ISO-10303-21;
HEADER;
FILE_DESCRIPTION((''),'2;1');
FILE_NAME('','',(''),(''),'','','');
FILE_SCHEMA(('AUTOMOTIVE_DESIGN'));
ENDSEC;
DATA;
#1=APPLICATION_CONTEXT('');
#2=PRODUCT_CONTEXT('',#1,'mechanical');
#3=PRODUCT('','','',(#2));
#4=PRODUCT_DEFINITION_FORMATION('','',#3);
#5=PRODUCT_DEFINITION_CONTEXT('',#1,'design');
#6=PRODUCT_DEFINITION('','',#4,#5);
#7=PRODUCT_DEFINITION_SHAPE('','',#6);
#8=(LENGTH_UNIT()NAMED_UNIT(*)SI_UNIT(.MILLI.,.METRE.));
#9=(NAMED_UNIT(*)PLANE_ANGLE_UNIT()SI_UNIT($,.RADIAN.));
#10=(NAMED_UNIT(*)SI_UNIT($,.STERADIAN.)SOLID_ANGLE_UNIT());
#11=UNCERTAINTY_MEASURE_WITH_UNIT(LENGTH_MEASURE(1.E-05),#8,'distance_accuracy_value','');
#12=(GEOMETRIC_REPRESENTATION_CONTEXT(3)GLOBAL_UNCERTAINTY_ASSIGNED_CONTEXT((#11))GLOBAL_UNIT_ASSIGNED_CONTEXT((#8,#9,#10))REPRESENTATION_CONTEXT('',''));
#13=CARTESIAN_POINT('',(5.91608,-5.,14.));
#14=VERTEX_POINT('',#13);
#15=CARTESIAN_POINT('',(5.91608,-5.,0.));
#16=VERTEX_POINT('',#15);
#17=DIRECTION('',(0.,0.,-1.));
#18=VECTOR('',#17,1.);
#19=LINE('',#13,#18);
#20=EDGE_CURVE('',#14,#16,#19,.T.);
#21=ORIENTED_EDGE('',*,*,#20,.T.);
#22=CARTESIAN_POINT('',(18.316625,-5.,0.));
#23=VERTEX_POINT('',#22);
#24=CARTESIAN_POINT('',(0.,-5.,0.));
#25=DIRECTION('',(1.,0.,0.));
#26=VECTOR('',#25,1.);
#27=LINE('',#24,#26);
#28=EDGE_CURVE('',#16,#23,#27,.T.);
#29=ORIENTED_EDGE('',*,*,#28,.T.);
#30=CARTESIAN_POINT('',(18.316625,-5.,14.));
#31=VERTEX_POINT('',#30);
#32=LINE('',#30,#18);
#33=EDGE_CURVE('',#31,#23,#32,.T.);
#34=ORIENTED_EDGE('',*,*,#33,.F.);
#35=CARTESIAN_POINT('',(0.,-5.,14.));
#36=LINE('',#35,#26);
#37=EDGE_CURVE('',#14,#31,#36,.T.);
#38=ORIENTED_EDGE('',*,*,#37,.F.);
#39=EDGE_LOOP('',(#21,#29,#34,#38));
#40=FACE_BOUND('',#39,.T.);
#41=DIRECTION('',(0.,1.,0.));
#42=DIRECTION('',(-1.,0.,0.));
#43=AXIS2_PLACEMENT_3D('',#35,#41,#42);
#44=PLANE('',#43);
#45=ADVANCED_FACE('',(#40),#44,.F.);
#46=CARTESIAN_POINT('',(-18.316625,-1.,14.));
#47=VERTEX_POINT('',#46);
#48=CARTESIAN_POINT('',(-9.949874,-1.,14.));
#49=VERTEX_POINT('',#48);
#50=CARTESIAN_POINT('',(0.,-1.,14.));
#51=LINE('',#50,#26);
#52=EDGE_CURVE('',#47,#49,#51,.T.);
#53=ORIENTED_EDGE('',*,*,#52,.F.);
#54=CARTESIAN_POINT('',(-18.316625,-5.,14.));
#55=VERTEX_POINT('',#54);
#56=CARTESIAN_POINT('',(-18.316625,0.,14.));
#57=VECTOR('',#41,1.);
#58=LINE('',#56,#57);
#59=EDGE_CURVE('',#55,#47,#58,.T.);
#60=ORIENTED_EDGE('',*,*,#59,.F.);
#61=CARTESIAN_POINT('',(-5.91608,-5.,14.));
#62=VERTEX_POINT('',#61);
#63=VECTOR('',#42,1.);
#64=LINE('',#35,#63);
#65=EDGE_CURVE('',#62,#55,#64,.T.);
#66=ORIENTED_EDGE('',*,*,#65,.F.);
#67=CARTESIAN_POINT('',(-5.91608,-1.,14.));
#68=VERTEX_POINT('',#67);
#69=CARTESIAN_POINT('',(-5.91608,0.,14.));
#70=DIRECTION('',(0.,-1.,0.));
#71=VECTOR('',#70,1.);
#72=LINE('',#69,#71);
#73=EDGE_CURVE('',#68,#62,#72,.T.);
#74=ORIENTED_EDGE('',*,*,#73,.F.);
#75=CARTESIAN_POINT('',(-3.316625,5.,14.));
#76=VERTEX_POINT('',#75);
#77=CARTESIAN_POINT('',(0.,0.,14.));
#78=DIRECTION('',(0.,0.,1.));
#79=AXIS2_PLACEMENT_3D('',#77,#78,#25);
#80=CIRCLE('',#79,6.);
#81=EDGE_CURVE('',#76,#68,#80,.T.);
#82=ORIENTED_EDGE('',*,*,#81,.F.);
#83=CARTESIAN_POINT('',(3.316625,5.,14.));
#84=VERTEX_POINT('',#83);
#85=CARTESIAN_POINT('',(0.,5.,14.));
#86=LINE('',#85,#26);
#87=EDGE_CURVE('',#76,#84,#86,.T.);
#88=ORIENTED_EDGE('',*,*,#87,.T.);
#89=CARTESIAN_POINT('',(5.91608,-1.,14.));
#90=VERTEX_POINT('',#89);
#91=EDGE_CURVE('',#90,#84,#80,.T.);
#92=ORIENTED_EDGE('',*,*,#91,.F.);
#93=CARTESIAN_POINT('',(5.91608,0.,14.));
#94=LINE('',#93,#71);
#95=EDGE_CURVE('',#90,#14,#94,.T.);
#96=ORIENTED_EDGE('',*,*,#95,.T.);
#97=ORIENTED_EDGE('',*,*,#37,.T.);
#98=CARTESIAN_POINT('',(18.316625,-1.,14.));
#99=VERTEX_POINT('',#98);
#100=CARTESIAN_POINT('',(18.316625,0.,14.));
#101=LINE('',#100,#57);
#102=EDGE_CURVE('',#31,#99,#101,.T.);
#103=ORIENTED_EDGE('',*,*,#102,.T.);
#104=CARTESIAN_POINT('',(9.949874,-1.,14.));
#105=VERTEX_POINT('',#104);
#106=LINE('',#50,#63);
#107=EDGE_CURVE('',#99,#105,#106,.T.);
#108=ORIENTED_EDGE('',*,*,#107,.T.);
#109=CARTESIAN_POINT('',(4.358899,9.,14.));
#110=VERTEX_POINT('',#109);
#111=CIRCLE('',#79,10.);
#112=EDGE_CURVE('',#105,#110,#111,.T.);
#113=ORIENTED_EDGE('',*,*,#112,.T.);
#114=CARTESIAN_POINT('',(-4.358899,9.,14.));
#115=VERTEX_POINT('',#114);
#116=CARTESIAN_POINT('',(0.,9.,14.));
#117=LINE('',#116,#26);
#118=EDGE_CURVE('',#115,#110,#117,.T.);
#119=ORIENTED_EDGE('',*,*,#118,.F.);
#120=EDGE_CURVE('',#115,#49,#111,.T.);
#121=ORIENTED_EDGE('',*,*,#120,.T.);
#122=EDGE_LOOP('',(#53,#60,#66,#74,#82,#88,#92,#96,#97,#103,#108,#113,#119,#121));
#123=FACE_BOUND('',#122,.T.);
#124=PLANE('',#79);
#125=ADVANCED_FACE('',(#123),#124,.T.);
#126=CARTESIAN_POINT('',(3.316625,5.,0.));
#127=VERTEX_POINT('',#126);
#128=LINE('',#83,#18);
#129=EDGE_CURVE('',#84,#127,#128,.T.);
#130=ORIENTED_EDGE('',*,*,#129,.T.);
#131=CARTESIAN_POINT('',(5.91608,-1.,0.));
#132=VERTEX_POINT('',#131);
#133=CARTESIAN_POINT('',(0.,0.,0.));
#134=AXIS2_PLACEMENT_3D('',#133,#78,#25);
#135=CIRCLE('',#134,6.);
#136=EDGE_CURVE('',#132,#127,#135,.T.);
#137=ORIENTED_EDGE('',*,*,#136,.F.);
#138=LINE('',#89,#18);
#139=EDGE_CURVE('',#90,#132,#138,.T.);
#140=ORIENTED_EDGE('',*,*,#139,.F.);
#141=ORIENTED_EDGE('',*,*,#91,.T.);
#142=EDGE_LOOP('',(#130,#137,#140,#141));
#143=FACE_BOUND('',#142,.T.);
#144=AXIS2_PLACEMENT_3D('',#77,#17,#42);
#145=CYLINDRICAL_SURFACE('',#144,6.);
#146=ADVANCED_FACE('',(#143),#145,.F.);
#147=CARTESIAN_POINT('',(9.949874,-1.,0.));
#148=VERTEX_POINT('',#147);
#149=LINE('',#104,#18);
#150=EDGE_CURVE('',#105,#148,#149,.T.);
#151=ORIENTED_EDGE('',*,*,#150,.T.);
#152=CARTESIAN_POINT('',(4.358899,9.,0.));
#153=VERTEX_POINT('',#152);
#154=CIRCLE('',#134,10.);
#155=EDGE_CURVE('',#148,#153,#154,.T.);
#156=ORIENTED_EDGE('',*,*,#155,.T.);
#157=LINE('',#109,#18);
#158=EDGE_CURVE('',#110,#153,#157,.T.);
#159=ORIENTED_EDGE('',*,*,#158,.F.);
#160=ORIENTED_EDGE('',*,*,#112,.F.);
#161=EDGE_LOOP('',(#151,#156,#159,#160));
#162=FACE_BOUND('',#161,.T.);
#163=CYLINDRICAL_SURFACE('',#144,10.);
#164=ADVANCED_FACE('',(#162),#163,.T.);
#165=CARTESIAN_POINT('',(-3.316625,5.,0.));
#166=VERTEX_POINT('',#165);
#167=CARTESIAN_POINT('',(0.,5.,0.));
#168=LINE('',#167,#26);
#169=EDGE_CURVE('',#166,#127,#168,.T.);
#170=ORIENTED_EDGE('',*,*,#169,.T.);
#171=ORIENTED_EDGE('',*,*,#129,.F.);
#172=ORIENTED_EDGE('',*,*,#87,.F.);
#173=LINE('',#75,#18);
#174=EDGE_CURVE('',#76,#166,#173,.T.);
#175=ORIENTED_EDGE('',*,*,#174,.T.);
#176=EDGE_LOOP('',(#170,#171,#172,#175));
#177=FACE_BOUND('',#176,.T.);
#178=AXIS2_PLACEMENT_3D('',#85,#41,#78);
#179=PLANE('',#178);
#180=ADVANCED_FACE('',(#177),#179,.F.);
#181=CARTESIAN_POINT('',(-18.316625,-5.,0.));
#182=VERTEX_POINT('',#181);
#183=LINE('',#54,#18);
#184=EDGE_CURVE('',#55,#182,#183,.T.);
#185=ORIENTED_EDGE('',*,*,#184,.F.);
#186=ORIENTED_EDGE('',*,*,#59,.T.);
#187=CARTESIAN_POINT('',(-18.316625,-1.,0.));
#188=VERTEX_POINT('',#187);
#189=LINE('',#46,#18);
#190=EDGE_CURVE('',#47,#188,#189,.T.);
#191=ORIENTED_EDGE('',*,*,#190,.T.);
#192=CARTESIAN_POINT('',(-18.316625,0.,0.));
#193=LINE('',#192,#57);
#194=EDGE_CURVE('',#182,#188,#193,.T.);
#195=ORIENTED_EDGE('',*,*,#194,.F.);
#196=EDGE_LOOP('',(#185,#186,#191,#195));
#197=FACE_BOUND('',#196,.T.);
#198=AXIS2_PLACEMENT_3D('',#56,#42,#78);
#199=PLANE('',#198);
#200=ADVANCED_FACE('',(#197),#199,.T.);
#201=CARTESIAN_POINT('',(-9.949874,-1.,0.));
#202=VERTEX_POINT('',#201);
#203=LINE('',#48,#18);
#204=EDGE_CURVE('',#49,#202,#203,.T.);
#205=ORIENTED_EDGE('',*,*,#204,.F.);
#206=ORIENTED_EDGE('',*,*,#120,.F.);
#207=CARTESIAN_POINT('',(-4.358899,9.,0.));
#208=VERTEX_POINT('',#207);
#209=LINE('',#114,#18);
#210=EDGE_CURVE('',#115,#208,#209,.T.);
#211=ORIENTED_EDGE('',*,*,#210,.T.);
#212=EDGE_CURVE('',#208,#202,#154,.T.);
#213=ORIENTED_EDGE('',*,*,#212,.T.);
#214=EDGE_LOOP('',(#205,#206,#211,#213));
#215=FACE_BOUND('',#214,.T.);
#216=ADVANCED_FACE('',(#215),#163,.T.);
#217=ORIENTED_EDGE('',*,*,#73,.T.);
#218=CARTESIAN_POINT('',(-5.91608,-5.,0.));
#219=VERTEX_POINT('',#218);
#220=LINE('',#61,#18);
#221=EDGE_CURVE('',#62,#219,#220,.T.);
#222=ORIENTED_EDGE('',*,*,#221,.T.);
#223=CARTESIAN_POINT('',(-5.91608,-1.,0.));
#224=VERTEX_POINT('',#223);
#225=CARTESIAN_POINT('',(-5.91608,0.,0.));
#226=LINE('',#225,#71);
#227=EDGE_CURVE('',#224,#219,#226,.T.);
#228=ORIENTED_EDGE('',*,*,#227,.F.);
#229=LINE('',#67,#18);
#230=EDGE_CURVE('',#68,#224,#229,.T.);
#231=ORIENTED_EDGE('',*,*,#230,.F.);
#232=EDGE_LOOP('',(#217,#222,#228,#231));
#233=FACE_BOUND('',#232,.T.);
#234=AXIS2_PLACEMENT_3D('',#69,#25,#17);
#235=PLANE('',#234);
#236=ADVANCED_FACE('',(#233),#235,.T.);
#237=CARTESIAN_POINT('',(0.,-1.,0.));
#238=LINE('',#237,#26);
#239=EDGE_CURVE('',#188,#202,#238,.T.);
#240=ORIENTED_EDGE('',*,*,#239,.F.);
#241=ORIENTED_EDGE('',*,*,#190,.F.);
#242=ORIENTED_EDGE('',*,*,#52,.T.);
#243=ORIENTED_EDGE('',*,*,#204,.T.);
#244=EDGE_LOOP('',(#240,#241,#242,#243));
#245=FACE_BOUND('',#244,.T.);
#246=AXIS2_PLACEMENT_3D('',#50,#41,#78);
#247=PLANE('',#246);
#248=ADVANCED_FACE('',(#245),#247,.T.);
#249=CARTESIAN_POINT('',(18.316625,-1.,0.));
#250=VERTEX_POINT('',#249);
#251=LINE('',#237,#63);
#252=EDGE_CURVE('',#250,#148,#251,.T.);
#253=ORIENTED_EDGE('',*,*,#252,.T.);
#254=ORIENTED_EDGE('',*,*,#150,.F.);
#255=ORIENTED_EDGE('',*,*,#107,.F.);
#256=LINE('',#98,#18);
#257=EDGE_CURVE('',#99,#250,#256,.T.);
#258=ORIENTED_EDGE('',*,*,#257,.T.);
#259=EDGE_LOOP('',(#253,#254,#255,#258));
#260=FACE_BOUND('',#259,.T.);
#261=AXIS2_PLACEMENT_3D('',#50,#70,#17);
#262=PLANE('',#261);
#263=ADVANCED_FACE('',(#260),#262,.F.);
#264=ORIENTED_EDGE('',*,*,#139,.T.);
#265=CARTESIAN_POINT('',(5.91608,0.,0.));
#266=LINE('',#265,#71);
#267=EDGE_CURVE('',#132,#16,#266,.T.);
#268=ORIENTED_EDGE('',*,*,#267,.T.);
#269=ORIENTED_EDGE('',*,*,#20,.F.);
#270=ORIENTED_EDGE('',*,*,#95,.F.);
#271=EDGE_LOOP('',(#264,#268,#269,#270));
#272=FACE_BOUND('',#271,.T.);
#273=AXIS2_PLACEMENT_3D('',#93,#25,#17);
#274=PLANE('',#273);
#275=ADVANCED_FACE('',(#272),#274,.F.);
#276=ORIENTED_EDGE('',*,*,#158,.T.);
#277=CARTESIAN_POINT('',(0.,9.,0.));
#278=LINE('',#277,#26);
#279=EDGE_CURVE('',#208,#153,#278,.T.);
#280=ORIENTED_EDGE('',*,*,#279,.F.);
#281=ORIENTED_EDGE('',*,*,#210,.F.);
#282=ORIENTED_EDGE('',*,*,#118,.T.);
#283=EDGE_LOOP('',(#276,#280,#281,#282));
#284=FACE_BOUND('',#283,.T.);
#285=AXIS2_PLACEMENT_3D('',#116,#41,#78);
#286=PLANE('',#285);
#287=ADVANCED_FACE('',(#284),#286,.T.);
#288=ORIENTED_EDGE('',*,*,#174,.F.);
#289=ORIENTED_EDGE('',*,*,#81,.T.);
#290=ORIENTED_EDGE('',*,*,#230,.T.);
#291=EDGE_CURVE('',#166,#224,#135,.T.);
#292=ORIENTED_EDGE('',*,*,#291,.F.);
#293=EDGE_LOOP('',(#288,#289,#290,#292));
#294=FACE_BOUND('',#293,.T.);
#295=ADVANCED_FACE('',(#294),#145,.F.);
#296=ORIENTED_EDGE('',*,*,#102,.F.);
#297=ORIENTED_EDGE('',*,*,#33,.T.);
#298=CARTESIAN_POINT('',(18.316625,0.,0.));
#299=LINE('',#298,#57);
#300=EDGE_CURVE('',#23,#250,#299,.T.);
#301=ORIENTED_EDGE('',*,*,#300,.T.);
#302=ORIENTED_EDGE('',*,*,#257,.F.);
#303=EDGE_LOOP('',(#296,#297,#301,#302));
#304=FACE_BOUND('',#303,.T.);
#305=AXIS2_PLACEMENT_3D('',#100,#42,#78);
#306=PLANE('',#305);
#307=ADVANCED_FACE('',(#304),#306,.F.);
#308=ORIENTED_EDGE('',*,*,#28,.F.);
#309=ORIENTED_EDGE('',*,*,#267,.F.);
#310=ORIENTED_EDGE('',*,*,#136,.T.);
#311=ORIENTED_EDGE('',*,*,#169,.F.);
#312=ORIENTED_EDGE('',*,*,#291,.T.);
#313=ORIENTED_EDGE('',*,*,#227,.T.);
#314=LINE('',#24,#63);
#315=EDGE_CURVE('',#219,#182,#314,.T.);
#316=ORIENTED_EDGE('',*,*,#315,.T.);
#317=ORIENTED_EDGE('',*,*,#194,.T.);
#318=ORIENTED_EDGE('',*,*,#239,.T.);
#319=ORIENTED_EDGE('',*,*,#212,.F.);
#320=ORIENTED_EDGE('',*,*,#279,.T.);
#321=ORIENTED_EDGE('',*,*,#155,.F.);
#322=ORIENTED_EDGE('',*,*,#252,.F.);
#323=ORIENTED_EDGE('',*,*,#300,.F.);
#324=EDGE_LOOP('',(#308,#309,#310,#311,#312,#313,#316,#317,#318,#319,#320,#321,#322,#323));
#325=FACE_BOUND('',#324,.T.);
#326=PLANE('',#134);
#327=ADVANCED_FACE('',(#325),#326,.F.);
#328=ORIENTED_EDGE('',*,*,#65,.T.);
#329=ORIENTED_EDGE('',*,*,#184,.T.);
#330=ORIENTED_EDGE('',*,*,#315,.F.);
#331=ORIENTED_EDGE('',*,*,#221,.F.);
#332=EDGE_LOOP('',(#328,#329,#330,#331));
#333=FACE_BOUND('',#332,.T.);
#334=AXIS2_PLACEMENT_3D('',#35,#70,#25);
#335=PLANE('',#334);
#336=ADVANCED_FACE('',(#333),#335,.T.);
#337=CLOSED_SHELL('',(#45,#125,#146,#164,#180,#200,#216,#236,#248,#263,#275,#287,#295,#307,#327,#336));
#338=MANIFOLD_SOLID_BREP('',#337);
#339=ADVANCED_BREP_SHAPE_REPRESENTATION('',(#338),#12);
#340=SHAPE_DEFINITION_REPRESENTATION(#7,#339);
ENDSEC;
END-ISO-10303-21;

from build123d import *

# Parameters (mm, degrees)
SALIENTE_EXTRUIR2_DEPTH = 14


with BuildPart() as part:
    # Croquis1 → Saliente-Extruir2 (new body)
    with BuildSketch(Plane.XY):
        with BuildLine():
            Line((-3.31662479, 5), (3.31662479, 5))
            ThreePointArc((3.31662479, 5), (5.505516182, 2.385223588), (5.916079783, -1))
            Line((5.916079783, -1), (5.916079783, -5))
            Line((5.916079783, -5), (18.31662479, -5))
            Line((18.31662479, -5), (18.31662479, -1))
            Line((18.31662479, -1), (9.949874371, -1))
            ThreePointArc((9.949874371, -1), (8.728416147, 4.88003602), (4.358898944, 9))
            Line((4.358898944, 9), (-4.358898944, 9))
            ThreePointArc((-4.358898944, 9), (-8.728416147, 4.88003602), (-9.949874371, -1))
            Line((-9.949874371, -1), (-18.31662479, -1))
            Line((-18.31662479, -1), (-18.31662479, -5))
            Line((-18.31662479, -5), (-5.916079783, -5))
            Line((-5.916079783, -5), (-5.916079783, -1))
            ThreePointArc((-5.916079783, -1), (-5.505516182, 2.385223588), (-3.31662479, 5))
        make_face()
    extrude(amount=SALIENTE_EXTRUIR2_DEPTH)


solid = part.part
